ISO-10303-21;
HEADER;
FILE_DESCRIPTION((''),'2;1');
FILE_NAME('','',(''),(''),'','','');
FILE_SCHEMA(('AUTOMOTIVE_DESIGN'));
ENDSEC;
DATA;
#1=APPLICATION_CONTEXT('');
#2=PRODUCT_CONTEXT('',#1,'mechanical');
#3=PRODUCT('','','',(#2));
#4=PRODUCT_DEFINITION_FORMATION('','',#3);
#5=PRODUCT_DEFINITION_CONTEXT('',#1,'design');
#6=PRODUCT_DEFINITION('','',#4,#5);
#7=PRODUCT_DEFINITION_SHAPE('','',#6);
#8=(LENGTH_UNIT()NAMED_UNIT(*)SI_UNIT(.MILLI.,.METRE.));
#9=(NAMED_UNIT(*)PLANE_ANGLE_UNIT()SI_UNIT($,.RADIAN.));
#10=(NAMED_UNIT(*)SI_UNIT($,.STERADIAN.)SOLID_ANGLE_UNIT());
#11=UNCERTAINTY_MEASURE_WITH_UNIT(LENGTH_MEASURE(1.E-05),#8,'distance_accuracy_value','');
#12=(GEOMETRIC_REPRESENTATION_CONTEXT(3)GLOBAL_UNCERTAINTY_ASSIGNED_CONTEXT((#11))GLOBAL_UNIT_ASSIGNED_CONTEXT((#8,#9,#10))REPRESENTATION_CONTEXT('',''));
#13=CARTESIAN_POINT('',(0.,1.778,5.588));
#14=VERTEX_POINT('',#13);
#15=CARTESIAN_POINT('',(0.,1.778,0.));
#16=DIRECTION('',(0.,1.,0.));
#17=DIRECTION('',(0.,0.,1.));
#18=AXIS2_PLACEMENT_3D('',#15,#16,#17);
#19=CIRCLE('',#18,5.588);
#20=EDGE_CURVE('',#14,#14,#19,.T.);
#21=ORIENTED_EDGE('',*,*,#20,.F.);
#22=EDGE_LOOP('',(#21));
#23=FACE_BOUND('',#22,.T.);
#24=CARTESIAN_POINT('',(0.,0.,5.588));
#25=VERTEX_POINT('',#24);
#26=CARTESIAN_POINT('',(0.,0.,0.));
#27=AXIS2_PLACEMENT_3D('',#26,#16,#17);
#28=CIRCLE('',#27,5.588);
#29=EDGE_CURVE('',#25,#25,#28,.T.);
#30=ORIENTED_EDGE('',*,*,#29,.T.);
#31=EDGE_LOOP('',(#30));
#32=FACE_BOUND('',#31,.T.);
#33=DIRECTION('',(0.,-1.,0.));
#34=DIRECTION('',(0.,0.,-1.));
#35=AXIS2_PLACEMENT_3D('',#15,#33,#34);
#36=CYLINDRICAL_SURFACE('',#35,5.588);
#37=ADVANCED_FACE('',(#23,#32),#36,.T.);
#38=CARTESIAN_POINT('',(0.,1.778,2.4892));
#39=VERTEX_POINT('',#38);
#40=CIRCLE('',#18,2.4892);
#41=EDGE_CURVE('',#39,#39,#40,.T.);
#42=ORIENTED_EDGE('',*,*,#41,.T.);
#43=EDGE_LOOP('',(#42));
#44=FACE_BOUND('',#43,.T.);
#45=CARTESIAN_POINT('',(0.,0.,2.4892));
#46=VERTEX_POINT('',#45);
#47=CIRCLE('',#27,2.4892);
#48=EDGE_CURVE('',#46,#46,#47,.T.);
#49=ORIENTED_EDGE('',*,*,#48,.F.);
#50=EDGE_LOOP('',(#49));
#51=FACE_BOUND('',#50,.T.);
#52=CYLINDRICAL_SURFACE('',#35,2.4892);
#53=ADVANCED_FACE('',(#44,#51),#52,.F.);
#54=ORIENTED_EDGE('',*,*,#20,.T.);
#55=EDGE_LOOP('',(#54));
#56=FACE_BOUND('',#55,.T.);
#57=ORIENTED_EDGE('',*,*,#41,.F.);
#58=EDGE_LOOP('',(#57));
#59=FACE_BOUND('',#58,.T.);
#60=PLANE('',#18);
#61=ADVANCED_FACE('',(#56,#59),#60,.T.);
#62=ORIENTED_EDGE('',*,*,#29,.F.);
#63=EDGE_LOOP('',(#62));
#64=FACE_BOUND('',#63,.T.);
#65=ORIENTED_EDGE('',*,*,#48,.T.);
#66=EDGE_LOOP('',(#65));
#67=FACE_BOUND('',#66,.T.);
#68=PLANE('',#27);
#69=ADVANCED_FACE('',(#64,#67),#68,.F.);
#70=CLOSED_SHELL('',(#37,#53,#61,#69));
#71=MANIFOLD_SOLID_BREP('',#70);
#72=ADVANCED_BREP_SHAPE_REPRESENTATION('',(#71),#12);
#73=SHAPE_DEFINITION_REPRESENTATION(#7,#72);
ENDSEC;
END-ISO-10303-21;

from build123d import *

# Parameters (mm, degrees)
SKETCH1_R           = 5.588
SKETCH1_R_2         = 2.4892
BOSS_EXTRUDE1_DEPTH = 1.778


with BuildPart() as part:
    # Sketch1 → Boss-Extrude1 (new body)
    with BuildSketch(Plane(origin=(0, 0, 0), x_dir=(1, 0, 0), z_dir=(0, 1, 0))):
        with Locations(Location((0, 0, 0), (0, 0, 270))):
            Circle(SKETCH1_R)
        with Locations(Location((0, 0, 0), (0, 0, 270))):
            Circle(SKETCH1_R_2, mode=Mode.SUBTRACT)
    extrude(amount=BOSS_EXTRUDE1_DEPTH)


solid = part.part
